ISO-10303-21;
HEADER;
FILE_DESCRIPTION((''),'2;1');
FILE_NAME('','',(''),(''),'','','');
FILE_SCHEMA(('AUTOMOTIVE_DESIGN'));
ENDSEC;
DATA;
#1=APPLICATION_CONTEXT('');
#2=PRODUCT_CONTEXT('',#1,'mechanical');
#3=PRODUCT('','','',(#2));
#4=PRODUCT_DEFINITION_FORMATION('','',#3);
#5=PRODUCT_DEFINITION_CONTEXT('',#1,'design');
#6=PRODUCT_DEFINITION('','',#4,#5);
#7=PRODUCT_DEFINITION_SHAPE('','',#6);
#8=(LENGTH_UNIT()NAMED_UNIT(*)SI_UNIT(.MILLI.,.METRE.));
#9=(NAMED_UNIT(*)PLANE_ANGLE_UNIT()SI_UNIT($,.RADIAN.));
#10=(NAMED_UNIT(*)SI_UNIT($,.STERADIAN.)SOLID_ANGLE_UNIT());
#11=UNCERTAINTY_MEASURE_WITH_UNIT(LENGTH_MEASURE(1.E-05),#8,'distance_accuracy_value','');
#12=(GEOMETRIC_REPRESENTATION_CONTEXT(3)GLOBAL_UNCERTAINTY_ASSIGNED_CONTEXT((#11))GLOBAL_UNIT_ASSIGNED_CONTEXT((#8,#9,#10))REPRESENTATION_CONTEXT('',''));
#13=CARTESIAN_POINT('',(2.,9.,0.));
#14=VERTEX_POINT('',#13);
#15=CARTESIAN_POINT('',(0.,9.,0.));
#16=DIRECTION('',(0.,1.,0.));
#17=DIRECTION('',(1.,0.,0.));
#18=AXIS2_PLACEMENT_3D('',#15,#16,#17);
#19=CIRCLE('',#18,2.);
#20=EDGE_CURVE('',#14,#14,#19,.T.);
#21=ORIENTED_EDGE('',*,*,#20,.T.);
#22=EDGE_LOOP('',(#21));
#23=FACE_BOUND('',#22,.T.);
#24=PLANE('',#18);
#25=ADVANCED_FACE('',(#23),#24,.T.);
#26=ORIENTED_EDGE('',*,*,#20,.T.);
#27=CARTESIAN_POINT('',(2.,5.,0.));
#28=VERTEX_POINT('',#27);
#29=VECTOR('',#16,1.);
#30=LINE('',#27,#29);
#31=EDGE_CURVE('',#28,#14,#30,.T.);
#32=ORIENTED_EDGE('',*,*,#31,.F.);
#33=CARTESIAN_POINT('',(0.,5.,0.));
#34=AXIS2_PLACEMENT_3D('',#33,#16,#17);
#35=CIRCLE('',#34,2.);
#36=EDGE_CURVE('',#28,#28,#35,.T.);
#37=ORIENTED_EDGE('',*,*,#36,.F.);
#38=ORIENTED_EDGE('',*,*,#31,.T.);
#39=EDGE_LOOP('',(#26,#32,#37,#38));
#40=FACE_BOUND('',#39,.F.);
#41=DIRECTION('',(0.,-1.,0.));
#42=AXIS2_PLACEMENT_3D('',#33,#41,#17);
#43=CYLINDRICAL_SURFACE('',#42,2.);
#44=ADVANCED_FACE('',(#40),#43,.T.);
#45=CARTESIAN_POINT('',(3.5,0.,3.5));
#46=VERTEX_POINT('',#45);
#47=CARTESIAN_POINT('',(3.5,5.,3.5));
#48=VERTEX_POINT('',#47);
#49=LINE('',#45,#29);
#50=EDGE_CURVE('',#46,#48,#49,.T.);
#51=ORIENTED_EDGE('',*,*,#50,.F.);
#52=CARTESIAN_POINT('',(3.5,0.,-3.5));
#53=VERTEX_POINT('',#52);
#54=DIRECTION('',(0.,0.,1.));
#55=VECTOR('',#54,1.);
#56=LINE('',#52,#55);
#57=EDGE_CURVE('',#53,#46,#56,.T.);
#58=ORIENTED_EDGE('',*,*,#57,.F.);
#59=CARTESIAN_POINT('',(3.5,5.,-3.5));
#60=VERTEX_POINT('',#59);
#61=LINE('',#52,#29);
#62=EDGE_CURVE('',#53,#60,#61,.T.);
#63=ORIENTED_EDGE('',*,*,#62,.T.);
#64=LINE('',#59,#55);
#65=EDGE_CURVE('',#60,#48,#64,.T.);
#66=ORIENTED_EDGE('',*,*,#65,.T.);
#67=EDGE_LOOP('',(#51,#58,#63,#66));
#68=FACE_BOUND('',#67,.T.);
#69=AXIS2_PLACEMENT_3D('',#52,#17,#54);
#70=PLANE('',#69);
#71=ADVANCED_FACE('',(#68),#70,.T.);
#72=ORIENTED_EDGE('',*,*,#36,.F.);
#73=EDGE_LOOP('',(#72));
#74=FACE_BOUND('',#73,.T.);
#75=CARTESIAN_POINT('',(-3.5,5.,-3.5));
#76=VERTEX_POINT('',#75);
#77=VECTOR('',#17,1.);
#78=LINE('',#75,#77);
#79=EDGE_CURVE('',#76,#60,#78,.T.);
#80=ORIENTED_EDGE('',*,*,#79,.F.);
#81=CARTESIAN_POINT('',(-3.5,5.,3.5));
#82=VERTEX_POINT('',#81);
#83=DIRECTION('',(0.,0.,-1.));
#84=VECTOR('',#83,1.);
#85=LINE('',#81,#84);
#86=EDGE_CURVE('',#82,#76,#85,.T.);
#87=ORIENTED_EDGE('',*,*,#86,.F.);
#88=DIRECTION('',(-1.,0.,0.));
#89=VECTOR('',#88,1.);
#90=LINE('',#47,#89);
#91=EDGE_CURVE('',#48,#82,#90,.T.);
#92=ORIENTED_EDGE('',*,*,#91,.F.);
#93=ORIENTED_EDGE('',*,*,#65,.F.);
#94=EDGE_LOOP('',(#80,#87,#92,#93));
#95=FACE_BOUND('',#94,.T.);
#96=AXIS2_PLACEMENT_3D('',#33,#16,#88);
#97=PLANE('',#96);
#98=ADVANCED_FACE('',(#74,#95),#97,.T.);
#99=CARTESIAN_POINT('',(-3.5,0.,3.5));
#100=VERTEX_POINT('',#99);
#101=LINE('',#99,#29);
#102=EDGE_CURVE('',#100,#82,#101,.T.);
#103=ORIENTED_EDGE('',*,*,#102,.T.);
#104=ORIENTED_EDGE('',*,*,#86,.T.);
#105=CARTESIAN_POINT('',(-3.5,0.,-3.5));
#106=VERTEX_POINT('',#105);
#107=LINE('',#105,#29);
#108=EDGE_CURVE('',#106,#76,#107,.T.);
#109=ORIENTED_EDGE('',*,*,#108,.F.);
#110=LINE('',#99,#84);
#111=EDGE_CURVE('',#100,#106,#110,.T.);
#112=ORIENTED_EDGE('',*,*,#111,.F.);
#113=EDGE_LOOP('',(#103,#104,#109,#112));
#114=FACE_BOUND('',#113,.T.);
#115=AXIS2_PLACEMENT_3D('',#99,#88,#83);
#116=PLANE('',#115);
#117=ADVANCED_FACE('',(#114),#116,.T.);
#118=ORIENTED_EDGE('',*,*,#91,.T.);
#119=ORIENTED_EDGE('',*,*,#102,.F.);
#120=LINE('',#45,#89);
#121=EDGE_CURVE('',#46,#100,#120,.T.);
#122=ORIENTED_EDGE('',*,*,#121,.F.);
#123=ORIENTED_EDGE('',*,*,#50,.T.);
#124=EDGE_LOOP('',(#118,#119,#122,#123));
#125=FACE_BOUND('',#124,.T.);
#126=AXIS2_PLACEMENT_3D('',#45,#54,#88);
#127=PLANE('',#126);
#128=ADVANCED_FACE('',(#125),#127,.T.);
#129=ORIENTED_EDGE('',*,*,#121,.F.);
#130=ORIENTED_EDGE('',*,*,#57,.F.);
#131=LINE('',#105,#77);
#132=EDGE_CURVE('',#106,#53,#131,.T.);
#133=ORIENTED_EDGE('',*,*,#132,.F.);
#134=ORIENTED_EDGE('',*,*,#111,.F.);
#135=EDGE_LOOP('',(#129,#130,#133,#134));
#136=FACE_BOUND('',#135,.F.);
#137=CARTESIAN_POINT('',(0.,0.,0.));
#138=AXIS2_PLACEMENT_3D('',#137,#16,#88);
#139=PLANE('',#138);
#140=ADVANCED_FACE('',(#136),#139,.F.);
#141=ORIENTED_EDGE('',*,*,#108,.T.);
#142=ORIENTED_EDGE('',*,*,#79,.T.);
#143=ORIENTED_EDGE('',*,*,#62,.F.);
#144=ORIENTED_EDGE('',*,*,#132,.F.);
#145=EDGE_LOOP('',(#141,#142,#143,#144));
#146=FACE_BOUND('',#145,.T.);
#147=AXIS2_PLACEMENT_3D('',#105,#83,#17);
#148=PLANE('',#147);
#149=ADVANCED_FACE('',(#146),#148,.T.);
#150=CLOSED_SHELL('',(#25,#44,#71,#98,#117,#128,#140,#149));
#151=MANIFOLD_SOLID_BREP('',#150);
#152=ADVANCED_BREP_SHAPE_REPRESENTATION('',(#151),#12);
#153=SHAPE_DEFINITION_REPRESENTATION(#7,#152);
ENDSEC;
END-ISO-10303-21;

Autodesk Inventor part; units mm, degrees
ref_plane "YZ Plane" through (0, 0, 0) normal (1, 0, 0) x (0, 1, 0)
ref_plane "XZ Plane" through (0, 0, 0) normal (0, 1, 0) x (-1, 0, 0)
ref_plane "XY Plane" through (0, 0, 0) normal (0, 0, 1) x (1, 0, 0)
sketch "Sketch1" plane through (0, 0, 0) normal (0, 1, 0) x (-1, 0, 0)
  line L0 (-3.5, 3.5) -> (3.5, 3.5)
  line L1 (3.5, 3.5) -> (3.5, -3.5)
  line L2 (3.5, -3.5) -> (-3.5, -3.5)
  line L3 (-3.5, -3.5) -> (-3.5, 3.5)
  line L4 (-3.5, 3.5) -> (3.5, -3.5) construction
  line L5 (3.5, 3.5) -> (-3.5, -3.5) construction
  point P0 (0, 0)
  dimension "d0" = 7
  dimension "d1" = 7
extrude "Extrusion1" add sketch "Sketch1" along normal blind 5
sketch "Sketch2" plane through (0, 5, 0) normal (0, 1, 0) x (1, 0, 0)
  circle A0 centre (0, 0) radius 2
  dimension "d4" = 4
extrude "Extrusion2" add sketch "Sketch2" along normal blind 4
properties part number "foot_2_2"
